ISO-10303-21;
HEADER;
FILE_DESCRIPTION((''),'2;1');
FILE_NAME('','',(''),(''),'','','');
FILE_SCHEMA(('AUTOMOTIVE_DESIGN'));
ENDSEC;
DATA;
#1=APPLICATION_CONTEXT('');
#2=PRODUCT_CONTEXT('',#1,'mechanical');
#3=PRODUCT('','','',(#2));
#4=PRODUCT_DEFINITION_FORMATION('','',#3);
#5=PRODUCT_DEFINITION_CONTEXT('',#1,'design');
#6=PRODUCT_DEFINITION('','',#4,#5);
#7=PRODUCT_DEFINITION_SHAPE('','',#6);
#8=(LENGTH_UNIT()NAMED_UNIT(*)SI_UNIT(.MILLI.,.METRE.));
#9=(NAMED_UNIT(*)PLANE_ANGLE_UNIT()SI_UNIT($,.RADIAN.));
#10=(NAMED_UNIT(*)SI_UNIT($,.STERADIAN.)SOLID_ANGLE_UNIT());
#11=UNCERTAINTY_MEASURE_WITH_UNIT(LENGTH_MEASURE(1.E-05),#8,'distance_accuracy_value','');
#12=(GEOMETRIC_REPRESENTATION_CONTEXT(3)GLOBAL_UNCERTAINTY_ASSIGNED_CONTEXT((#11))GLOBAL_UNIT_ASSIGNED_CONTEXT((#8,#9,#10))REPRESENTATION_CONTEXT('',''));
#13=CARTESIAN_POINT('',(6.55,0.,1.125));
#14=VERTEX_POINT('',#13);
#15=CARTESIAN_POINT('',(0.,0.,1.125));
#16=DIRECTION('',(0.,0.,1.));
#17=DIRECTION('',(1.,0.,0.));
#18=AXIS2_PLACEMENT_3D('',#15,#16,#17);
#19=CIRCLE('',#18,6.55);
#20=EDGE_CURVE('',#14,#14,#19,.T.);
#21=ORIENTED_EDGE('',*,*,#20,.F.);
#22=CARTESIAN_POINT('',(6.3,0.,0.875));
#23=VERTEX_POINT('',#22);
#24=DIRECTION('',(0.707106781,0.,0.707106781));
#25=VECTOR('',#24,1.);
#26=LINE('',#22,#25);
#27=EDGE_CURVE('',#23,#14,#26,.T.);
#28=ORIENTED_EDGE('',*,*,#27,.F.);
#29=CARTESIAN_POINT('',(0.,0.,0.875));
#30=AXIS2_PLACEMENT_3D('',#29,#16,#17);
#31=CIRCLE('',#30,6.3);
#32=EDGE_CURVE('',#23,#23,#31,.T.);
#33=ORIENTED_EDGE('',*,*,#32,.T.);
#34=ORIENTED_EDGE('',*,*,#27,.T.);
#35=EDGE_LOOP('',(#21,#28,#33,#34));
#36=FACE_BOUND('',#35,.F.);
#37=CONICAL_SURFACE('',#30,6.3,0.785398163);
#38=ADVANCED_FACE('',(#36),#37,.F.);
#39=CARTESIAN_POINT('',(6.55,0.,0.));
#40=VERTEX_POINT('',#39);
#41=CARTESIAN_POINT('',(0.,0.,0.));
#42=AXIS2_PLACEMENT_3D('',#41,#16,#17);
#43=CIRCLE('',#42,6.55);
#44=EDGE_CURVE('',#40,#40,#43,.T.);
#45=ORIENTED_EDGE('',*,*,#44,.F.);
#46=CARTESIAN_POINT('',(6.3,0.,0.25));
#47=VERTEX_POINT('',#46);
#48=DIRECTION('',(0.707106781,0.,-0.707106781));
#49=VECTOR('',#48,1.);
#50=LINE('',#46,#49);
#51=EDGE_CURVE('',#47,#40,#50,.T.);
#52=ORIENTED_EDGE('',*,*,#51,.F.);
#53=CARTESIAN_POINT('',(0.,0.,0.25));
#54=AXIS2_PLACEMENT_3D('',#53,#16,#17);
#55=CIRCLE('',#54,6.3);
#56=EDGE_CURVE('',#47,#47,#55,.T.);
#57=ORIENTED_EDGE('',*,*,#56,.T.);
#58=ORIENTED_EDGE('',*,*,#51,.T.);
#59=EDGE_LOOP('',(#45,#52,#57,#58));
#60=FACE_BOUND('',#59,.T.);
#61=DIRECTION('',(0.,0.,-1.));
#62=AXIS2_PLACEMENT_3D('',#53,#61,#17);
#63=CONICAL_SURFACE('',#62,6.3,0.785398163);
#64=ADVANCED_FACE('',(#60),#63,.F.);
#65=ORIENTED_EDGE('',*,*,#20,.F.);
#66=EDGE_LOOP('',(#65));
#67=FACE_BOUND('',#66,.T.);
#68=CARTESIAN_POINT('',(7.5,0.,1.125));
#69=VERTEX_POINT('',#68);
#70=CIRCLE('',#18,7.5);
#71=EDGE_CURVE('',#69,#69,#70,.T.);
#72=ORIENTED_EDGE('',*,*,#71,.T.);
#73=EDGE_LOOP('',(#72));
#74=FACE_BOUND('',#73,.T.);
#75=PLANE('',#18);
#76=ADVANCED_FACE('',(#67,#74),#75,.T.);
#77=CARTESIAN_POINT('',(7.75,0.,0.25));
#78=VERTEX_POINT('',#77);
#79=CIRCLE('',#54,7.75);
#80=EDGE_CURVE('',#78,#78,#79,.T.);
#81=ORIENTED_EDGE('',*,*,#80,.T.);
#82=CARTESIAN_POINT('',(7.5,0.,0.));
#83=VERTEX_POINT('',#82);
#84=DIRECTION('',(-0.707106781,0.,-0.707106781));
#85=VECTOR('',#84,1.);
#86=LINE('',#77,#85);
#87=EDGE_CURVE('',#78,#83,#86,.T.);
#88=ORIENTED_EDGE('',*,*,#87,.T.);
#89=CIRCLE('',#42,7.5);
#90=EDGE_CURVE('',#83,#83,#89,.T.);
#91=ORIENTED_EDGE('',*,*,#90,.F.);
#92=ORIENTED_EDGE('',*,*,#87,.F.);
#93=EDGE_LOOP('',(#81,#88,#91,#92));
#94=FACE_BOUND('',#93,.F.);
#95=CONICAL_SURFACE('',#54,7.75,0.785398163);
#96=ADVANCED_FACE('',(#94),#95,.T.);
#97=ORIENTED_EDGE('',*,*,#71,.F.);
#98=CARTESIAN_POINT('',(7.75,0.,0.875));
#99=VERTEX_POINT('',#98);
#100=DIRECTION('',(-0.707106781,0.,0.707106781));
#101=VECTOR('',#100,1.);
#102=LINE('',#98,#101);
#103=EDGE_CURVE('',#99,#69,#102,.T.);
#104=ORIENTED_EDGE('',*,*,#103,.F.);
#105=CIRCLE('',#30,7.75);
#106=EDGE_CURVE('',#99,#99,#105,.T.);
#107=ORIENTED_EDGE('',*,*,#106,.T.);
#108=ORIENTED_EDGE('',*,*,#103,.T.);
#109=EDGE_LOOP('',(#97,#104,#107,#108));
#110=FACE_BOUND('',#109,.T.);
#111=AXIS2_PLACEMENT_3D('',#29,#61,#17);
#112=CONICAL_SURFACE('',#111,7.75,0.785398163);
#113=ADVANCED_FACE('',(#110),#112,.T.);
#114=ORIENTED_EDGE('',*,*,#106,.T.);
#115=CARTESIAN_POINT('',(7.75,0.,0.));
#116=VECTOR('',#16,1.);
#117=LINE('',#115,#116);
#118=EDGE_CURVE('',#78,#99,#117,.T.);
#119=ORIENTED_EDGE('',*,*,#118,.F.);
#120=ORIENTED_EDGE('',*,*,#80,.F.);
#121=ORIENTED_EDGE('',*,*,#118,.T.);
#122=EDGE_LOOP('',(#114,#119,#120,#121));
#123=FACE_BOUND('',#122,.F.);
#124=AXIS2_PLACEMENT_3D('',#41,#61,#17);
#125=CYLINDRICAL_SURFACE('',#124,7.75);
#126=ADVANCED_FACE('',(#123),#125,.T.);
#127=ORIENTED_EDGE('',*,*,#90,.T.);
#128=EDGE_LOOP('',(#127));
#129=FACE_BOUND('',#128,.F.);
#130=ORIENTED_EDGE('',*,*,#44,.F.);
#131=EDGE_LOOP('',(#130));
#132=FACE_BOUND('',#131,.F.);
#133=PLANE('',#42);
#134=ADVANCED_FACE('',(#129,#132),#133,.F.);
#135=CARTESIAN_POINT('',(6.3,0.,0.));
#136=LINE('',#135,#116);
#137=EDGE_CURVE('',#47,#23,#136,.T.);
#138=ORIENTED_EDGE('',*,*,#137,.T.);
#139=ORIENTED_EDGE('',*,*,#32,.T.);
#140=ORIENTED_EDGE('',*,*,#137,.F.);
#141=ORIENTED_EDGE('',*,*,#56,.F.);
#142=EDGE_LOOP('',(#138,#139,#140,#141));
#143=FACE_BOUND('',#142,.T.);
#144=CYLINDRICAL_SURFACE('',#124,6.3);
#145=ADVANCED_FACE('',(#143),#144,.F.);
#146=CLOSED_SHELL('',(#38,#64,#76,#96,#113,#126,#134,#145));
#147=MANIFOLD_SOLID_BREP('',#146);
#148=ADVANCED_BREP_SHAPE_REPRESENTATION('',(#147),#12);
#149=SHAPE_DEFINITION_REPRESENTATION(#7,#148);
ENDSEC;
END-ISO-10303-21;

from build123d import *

# Parameters (mm, degrees)
SKETCH_R     = 7.75
SKETCH_R_2   = 6.3
PAD_DEPTH    = 1.125
CHAMFER_SIZE = 0.25


with BuildPart() as part:
    # Sketch → Pad (new body)
    with BuildSketch(Plane.XY):
        Circle(SKETCH_R)
        Circle(SKETCH_R_2, mode=Mode.SUBTRACT)
    extrude(amount=PAD_DEPTH)

    # Chamfer
    chamfer_edges = [part.edges().sort_by_distance(p)[0] for p in [
        (-7.75, 0, 1.125),
        (-6.3, 0, 1.125),
        (-7.75, 0, 0),
        (-6.3, 0, 0),
    ]]
    chamfer(chamfer_edges, length=CHAMFER_SIZE)


solid = part.part
